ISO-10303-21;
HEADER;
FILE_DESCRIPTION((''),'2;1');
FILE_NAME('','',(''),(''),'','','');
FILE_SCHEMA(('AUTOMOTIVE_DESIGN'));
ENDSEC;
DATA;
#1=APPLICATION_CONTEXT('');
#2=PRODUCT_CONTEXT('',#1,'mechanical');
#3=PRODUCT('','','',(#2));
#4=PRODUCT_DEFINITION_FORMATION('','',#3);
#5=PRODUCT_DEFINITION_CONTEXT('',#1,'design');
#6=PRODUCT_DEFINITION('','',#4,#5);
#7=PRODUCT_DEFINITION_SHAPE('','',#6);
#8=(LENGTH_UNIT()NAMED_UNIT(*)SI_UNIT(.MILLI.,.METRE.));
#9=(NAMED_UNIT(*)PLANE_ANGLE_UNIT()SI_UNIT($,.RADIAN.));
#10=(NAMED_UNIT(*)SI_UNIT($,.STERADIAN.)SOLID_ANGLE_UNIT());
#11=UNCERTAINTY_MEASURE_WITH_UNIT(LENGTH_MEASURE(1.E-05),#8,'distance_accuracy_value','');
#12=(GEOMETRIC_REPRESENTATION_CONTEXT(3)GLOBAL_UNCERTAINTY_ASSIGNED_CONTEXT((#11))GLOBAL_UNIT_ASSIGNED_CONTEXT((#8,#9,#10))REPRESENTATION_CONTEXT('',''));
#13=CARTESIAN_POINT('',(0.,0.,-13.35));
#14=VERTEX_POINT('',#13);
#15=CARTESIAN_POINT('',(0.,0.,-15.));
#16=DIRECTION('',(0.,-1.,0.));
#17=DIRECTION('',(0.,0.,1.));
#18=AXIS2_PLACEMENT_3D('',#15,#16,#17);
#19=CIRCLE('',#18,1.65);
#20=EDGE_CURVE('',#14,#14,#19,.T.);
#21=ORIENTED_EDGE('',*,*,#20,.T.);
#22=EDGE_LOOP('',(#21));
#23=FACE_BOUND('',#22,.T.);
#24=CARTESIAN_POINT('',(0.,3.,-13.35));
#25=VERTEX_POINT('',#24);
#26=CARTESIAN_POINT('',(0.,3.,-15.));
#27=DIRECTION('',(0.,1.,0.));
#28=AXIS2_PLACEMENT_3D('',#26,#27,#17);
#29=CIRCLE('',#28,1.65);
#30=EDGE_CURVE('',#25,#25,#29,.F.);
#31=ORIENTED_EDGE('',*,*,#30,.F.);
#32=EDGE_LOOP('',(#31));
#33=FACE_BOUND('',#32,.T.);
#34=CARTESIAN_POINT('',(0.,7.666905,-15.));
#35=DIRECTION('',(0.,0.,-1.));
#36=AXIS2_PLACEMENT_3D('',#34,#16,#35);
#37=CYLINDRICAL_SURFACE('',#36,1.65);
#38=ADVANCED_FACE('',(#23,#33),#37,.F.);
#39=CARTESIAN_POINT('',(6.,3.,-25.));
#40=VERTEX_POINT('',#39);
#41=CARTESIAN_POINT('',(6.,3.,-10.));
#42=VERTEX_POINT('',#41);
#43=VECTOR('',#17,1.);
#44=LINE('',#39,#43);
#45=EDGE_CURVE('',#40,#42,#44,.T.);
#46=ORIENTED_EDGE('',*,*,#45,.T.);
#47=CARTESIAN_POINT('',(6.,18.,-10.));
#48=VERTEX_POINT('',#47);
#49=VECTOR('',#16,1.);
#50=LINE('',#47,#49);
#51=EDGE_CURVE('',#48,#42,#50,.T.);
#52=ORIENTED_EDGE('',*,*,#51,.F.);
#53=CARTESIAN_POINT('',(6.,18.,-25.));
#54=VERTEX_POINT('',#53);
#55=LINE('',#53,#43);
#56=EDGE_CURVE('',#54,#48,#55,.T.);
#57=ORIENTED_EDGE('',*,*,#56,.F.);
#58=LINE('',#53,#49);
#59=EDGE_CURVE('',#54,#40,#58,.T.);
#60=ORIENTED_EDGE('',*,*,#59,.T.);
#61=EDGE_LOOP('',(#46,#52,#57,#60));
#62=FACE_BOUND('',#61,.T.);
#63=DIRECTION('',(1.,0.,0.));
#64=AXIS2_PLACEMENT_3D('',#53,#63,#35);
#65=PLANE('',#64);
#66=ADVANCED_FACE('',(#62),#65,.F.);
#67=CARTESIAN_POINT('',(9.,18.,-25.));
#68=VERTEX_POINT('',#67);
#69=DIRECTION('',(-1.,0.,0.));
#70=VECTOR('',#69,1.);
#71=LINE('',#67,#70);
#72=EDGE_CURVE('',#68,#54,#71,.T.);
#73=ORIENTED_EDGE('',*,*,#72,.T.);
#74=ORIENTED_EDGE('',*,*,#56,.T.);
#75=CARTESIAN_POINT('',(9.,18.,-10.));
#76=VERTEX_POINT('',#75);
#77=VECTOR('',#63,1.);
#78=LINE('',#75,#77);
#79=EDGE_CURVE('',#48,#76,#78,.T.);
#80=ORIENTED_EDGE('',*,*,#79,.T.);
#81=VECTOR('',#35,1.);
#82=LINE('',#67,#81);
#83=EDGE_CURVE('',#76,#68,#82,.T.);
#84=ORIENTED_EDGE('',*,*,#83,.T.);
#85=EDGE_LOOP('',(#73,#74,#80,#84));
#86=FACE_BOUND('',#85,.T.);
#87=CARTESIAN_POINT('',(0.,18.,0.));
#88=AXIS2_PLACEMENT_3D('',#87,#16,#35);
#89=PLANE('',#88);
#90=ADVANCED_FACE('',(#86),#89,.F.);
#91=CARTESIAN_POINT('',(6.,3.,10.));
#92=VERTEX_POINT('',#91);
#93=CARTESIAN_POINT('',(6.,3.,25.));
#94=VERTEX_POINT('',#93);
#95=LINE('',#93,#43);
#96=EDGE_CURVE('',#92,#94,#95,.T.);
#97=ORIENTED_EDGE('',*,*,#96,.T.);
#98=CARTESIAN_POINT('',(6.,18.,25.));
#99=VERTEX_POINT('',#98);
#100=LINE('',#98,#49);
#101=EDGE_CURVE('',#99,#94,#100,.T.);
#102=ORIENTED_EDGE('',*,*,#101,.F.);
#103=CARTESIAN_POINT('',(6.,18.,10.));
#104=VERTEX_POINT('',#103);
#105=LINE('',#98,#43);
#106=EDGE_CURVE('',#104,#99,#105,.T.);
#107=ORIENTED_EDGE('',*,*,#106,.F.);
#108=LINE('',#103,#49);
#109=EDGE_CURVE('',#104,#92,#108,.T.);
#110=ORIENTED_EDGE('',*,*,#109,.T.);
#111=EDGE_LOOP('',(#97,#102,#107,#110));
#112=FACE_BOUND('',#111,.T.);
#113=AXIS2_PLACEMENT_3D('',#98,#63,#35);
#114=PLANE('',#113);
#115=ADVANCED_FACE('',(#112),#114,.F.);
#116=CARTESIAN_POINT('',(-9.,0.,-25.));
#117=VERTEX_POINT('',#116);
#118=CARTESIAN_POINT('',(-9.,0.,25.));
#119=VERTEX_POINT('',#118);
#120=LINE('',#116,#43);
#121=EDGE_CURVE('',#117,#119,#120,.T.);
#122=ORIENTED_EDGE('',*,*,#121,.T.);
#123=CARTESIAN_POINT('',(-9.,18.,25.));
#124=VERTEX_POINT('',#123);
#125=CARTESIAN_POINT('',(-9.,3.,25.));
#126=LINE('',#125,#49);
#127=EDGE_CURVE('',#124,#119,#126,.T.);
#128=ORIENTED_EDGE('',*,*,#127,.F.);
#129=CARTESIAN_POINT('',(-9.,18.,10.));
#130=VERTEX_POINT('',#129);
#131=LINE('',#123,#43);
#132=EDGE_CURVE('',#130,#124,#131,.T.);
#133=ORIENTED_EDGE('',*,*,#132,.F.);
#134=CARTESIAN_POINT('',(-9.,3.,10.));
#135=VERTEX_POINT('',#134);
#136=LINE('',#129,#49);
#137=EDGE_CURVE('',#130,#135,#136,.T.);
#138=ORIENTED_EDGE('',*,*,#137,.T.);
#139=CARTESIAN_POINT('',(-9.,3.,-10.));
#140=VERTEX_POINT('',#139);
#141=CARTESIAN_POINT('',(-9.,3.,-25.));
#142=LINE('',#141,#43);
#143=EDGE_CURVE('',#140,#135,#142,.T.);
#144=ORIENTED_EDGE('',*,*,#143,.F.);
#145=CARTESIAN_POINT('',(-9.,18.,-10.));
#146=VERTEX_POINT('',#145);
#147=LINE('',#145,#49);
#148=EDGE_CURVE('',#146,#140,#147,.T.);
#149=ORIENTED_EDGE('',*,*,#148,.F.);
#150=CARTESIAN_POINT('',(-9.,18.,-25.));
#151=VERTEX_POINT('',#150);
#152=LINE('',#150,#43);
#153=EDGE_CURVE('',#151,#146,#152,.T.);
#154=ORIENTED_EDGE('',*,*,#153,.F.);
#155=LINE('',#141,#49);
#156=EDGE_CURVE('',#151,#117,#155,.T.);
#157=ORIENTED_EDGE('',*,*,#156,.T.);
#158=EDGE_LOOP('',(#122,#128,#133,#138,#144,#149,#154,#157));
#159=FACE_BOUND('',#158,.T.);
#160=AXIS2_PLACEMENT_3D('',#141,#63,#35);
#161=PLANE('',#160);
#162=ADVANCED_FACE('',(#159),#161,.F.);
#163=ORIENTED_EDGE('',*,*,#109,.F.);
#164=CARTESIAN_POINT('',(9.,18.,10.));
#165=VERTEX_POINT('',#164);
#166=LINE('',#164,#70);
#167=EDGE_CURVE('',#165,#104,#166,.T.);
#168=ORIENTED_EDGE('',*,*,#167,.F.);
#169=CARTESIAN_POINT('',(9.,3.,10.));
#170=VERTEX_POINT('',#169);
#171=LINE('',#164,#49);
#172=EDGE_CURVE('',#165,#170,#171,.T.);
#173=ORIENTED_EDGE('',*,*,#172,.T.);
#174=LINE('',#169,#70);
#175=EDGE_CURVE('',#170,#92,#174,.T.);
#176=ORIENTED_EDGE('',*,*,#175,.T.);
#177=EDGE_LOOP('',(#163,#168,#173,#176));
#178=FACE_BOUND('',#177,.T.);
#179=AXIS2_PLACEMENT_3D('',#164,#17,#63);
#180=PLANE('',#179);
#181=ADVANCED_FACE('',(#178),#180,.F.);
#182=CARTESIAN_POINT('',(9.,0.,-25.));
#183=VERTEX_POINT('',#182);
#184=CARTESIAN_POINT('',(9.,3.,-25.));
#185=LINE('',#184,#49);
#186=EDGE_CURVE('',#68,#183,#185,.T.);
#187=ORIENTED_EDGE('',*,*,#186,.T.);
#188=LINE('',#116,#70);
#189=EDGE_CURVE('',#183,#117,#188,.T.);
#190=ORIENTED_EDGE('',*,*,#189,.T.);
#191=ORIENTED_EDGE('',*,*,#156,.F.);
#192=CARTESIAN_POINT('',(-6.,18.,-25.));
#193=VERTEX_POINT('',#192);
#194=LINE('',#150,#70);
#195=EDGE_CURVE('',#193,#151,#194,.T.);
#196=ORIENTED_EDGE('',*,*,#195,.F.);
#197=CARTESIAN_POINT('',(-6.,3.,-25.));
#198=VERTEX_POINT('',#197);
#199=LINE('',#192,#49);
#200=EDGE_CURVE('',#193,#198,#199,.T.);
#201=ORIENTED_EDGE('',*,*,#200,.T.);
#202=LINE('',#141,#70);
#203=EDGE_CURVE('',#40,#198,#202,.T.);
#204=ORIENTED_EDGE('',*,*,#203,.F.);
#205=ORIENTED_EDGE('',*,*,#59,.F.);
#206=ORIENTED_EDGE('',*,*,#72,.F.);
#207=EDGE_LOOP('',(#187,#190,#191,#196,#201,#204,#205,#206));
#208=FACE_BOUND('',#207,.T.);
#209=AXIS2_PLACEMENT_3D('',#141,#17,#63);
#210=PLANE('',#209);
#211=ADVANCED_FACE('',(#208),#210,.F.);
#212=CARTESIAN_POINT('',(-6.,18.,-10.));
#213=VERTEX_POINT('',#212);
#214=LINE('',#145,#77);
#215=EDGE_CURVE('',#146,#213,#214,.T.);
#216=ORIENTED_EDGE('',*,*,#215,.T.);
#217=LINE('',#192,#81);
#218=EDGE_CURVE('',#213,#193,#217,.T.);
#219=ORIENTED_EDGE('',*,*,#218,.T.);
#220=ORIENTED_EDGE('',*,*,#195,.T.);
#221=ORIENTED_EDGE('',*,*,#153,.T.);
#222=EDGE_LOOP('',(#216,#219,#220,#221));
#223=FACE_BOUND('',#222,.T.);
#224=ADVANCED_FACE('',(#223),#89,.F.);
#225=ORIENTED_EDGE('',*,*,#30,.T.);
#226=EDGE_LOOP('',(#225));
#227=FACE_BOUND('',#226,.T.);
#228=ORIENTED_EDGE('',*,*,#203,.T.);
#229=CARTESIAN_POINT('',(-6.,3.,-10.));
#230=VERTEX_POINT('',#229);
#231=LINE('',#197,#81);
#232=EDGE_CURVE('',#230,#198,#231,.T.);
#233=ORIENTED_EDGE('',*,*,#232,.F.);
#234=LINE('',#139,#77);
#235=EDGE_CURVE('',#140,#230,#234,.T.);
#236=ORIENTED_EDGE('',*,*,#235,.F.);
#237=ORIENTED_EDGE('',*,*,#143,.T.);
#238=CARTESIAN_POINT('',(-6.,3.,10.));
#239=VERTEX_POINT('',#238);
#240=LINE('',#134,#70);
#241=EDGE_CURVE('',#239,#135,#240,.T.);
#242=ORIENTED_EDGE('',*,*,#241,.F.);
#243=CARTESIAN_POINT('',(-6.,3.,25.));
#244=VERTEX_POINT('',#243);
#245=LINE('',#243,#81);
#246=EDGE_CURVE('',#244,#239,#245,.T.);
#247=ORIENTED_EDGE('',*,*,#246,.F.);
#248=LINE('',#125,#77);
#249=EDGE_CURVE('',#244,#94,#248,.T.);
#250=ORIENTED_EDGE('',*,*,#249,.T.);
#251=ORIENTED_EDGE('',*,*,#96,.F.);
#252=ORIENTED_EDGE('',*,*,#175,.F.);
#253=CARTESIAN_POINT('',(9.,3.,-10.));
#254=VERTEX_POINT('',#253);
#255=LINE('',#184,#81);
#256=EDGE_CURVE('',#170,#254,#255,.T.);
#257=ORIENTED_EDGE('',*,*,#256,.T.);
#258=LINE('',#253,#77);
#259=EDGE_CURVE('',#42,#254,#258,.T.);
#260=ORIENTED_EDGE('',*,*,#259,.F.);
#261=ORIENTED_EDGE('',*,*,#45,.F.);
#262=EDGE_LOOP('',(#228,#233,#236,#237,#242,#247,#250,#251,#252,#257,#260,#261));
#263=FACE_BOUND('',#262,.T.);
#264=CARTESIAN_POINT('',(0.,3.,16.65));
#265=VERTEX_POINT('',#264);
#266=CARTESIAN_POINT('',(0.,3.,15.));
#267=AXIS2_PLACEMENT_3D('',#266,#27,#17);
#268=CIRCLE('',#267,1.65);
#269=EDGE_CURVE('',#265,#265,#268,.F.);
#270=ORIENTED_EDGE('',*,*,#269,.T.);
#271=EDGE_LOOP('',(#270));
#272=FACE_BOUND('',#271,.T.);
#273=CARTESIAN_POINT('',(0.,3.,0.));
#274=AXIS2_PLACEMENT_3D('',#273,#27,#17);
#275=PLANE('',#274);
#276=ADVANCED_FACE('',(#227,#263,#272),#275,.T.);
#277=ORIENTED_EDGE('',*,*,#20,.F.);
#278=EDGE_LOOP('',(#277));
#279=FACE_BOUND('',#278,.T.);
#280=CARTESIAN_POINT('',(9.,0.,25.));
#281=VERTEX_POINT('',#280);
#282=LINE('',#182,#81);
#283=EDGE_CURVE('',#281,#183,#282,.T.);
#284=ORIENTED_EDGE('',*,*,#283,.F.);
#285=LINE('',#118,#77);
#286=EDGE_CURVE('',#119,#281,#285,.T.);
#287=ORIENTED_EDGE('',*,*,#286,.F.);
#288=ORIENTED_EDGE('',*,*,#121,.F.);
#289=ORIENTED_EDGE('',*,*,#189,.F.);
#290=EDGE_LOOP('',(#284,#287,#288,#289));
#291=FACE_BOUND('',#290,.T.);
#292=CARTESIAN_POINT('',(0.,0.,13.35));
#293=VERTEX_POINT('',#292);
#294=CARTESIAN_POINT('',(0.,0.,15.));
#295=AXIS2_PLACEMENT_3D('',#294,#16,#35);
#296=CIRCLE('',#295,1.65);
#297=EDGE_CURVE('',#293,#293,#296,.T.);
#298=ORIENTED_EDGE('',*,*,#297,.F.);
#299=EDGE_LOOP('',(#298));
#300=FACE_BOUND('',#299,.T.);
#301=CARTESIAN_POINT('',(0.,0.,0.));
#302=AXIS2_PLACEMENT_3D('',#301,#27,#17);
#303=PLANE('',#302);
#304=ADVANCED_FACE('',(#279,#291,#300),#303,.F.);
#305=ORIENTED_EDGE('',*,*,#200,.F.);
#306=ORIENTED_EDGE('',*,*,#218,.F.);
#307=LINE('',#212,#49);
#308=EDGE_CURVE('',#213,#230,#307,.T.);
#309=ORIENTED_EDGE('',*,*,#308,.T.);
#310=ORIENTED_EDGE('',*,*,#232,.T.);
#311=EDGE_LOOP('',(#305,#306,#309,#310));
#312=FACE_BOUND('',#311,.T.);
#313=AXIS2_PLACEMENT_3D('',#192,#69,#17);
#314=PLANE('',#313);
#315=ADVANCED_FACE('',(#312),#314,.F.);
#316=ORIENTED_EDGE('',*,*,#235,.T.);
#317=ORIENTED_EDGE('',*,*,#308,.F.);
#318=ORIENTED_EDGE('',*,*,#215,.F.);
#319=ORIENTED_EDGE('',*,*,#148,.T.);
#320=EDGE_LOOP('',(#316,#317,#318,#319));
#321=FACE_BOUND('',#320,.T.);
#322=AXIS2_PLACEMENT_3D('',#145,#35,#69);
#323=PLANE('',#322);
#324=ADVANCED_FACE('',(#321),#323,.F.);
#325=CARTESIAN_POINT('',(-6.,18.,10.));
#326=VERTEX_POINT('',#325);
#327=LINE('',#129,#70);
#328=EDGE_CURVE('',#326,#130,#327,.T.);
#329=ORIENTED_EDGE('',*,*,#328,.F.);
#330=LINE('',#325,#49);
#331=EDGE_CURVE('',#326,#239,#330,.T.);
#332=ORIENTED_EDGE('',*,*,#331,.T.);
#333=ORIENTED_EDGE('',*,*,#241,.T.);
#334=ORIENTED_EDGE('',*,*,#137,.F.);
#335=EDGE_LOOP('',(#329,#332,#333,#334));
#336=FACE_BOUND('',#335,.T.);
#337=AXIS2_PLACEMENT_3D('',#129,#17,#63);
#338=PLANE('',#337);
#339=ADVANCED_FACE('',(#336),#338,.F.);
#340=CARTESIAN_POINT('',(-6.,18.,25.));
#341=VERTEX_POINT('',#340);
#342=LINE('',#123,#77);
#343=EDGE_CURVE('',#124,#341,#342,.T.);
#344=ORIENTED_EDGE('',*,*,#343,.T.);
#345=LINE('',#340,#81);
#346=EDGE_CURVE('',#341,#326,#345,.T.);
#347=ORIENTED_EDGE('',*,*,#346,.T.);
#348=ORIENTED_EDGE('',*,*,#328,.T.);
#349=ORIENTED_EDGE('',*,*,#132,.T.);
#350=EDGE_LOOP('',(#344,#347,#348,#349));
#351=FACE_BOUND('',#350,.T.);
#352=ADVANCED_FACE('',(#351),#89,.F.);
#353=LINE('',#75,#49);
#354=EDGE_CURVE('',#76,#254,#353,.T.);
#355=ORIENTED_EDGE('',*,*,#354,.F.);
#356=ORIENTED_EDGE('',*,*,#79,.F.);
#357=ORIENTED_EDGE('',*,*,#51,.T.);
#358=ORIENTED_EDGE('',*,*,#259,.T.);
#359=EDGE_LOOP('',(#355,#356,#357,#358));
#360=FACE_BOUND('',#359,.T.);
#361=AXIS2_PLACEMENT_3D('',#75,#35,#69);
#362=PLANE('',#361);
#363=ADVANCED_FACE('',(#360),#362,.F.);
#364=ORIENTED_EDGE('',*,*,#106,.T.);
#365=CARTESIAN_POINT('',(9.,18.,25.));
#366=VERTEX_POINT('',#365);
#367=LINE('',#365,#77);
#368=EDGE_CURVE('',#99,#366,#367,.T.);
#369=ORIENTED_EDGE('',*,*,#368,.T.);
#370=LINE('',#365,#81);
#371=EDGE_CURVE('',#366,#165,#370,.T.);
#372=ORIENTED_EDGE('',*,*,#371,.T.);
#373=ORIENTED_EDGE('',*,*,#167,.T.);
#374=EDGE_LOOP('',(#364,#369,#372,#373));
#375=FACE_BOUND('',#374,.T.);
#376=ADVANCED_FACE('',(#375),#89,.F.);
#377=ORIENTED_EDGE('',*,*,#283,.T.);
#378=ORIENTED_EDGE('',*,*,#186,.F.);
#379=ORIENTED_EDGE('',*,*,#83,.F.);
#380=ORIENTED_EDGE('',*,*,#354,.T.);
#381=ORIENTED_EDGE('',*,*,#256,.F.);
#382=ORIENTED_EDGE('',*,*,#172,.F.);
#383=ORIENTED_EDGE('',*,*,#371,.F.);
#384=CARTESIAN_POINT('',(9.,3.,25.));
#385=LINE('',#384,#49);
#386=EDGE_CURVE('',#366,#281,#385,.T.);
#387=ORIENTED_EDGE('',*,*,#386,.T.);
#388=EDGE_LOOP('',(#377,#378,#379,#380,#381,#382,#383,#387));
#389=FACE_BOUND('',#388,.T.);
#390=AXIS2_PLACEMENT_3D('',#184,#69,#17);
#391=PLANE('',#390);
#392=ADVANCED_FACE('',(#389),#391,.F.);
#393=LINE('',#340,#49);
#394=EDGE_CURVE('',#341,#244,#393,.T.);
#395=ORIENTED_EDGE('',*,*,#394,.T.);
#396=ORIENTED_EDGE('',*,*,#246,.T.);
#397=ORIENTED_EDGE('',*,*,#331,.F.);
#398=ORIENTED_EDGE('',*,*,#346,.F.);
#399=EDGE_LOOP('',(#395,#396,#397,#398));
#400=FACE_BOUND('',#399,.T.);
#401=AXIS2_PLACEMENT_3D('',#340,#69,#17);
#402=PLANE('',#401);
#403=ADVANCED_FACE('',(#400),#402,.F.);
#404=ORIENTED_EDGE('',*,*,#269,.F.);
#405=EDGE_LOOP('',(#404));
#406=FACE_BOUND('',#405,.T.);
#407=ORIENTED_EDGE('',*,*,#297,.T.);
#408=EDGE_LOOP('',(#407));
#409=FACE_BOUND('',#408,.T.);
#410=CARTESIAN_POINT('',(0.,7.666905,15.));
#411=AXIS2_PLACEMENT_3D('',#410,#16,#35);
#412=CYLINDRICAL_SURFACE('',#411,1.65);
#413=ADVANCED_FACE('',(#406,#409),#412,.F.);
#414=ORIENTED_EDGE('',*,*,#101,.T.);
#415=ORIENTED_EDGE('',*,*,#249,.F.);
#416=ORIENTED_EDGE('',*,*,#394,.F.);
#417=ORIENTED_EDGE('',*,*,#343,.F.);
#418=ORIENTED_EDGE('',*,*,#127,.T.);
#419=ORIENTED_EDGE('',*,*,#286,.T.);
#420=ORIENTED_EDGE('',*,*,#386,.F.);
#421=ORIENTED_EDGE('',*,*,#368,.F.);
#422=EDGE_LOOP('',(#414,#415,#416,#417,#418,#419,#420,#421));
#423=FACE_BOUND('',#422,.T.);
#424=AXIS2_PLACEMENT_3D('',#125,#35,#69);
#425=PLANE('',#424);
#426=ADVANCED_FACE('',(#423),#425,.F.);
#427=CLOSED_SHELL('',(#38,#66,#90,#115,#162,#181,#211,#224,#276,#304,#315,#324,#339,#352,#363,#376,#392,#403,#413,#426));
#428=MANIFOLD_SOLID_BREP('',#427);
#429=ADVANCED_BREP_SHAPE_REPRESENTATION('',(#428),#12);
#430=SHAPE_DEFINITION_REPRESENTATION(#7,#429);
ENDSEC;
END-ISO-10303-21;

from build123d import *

# Parameters (mm, degrees)
SKETCH1_W           = 18
SKETCH1_H           = 50
BOSS_EXTRUDE1_DEPTH = 3
SKETCH2_W           = 3
SKETCH2_H           = 15
BOSS_EXTRUDE2_DEPTH = 15
SKETCH3_R           = 1.65
CUT_EXTRUDE1_DEPTH  = 3


with BuildPart() as part:
    # Sketch1 → Boss-Extrude1 (new body)
    with BuildSketch(Plane(origin=(0, 0, 0), x_dir=(1, 0, 0), z_dir=(0, 1, 0))):
        Rectangle(SKETCH1_W, SKETCH1_H)
    extrude(amount=BOSS_EXTRUDE1_DEPTH)

    # Sketch2 → Boss-Extrude2 (add)
    with BuildSketch(Plane(origin=(0, 3, 0), x_dir=(1, 0, 0), z_dir=(0, 1, 0))):
        with Locations((7.5, 17.5)):
            Rectangle(SKETCH2_W, SKETCH2_H)
        with Locations((-7.5, 17.5)):
            Rectangle(SKETCH2_W, SKETCH2_H)
        with Locations((-7.5, -17.5)):
            Rectangle(SKETCH2_W, SKETCH2_H)
        with Locations((7.5, -17.5)):
            Rectangle(SKETCH2_W, SKETCH2_H)
    extrude(amount=BOSS_EXTRUDE2_DEPTH)

    # Sketch3 → Cut-Extrude1 (cut)
    with BuildSketch(Plane.XZ):
        with Locations(Location((0, 15, 0), (0, 0, 270))):
            Circle(SKETCH3_R)
        with Locations(Location((0, -15, 0), (0, 0, 90))):
            Circle(SKETCH3_R)
    extrude(amount=-CUT_EXTRUDE1_DEPTH, mode=Mode.SUBTRACT)


solid = part.part
